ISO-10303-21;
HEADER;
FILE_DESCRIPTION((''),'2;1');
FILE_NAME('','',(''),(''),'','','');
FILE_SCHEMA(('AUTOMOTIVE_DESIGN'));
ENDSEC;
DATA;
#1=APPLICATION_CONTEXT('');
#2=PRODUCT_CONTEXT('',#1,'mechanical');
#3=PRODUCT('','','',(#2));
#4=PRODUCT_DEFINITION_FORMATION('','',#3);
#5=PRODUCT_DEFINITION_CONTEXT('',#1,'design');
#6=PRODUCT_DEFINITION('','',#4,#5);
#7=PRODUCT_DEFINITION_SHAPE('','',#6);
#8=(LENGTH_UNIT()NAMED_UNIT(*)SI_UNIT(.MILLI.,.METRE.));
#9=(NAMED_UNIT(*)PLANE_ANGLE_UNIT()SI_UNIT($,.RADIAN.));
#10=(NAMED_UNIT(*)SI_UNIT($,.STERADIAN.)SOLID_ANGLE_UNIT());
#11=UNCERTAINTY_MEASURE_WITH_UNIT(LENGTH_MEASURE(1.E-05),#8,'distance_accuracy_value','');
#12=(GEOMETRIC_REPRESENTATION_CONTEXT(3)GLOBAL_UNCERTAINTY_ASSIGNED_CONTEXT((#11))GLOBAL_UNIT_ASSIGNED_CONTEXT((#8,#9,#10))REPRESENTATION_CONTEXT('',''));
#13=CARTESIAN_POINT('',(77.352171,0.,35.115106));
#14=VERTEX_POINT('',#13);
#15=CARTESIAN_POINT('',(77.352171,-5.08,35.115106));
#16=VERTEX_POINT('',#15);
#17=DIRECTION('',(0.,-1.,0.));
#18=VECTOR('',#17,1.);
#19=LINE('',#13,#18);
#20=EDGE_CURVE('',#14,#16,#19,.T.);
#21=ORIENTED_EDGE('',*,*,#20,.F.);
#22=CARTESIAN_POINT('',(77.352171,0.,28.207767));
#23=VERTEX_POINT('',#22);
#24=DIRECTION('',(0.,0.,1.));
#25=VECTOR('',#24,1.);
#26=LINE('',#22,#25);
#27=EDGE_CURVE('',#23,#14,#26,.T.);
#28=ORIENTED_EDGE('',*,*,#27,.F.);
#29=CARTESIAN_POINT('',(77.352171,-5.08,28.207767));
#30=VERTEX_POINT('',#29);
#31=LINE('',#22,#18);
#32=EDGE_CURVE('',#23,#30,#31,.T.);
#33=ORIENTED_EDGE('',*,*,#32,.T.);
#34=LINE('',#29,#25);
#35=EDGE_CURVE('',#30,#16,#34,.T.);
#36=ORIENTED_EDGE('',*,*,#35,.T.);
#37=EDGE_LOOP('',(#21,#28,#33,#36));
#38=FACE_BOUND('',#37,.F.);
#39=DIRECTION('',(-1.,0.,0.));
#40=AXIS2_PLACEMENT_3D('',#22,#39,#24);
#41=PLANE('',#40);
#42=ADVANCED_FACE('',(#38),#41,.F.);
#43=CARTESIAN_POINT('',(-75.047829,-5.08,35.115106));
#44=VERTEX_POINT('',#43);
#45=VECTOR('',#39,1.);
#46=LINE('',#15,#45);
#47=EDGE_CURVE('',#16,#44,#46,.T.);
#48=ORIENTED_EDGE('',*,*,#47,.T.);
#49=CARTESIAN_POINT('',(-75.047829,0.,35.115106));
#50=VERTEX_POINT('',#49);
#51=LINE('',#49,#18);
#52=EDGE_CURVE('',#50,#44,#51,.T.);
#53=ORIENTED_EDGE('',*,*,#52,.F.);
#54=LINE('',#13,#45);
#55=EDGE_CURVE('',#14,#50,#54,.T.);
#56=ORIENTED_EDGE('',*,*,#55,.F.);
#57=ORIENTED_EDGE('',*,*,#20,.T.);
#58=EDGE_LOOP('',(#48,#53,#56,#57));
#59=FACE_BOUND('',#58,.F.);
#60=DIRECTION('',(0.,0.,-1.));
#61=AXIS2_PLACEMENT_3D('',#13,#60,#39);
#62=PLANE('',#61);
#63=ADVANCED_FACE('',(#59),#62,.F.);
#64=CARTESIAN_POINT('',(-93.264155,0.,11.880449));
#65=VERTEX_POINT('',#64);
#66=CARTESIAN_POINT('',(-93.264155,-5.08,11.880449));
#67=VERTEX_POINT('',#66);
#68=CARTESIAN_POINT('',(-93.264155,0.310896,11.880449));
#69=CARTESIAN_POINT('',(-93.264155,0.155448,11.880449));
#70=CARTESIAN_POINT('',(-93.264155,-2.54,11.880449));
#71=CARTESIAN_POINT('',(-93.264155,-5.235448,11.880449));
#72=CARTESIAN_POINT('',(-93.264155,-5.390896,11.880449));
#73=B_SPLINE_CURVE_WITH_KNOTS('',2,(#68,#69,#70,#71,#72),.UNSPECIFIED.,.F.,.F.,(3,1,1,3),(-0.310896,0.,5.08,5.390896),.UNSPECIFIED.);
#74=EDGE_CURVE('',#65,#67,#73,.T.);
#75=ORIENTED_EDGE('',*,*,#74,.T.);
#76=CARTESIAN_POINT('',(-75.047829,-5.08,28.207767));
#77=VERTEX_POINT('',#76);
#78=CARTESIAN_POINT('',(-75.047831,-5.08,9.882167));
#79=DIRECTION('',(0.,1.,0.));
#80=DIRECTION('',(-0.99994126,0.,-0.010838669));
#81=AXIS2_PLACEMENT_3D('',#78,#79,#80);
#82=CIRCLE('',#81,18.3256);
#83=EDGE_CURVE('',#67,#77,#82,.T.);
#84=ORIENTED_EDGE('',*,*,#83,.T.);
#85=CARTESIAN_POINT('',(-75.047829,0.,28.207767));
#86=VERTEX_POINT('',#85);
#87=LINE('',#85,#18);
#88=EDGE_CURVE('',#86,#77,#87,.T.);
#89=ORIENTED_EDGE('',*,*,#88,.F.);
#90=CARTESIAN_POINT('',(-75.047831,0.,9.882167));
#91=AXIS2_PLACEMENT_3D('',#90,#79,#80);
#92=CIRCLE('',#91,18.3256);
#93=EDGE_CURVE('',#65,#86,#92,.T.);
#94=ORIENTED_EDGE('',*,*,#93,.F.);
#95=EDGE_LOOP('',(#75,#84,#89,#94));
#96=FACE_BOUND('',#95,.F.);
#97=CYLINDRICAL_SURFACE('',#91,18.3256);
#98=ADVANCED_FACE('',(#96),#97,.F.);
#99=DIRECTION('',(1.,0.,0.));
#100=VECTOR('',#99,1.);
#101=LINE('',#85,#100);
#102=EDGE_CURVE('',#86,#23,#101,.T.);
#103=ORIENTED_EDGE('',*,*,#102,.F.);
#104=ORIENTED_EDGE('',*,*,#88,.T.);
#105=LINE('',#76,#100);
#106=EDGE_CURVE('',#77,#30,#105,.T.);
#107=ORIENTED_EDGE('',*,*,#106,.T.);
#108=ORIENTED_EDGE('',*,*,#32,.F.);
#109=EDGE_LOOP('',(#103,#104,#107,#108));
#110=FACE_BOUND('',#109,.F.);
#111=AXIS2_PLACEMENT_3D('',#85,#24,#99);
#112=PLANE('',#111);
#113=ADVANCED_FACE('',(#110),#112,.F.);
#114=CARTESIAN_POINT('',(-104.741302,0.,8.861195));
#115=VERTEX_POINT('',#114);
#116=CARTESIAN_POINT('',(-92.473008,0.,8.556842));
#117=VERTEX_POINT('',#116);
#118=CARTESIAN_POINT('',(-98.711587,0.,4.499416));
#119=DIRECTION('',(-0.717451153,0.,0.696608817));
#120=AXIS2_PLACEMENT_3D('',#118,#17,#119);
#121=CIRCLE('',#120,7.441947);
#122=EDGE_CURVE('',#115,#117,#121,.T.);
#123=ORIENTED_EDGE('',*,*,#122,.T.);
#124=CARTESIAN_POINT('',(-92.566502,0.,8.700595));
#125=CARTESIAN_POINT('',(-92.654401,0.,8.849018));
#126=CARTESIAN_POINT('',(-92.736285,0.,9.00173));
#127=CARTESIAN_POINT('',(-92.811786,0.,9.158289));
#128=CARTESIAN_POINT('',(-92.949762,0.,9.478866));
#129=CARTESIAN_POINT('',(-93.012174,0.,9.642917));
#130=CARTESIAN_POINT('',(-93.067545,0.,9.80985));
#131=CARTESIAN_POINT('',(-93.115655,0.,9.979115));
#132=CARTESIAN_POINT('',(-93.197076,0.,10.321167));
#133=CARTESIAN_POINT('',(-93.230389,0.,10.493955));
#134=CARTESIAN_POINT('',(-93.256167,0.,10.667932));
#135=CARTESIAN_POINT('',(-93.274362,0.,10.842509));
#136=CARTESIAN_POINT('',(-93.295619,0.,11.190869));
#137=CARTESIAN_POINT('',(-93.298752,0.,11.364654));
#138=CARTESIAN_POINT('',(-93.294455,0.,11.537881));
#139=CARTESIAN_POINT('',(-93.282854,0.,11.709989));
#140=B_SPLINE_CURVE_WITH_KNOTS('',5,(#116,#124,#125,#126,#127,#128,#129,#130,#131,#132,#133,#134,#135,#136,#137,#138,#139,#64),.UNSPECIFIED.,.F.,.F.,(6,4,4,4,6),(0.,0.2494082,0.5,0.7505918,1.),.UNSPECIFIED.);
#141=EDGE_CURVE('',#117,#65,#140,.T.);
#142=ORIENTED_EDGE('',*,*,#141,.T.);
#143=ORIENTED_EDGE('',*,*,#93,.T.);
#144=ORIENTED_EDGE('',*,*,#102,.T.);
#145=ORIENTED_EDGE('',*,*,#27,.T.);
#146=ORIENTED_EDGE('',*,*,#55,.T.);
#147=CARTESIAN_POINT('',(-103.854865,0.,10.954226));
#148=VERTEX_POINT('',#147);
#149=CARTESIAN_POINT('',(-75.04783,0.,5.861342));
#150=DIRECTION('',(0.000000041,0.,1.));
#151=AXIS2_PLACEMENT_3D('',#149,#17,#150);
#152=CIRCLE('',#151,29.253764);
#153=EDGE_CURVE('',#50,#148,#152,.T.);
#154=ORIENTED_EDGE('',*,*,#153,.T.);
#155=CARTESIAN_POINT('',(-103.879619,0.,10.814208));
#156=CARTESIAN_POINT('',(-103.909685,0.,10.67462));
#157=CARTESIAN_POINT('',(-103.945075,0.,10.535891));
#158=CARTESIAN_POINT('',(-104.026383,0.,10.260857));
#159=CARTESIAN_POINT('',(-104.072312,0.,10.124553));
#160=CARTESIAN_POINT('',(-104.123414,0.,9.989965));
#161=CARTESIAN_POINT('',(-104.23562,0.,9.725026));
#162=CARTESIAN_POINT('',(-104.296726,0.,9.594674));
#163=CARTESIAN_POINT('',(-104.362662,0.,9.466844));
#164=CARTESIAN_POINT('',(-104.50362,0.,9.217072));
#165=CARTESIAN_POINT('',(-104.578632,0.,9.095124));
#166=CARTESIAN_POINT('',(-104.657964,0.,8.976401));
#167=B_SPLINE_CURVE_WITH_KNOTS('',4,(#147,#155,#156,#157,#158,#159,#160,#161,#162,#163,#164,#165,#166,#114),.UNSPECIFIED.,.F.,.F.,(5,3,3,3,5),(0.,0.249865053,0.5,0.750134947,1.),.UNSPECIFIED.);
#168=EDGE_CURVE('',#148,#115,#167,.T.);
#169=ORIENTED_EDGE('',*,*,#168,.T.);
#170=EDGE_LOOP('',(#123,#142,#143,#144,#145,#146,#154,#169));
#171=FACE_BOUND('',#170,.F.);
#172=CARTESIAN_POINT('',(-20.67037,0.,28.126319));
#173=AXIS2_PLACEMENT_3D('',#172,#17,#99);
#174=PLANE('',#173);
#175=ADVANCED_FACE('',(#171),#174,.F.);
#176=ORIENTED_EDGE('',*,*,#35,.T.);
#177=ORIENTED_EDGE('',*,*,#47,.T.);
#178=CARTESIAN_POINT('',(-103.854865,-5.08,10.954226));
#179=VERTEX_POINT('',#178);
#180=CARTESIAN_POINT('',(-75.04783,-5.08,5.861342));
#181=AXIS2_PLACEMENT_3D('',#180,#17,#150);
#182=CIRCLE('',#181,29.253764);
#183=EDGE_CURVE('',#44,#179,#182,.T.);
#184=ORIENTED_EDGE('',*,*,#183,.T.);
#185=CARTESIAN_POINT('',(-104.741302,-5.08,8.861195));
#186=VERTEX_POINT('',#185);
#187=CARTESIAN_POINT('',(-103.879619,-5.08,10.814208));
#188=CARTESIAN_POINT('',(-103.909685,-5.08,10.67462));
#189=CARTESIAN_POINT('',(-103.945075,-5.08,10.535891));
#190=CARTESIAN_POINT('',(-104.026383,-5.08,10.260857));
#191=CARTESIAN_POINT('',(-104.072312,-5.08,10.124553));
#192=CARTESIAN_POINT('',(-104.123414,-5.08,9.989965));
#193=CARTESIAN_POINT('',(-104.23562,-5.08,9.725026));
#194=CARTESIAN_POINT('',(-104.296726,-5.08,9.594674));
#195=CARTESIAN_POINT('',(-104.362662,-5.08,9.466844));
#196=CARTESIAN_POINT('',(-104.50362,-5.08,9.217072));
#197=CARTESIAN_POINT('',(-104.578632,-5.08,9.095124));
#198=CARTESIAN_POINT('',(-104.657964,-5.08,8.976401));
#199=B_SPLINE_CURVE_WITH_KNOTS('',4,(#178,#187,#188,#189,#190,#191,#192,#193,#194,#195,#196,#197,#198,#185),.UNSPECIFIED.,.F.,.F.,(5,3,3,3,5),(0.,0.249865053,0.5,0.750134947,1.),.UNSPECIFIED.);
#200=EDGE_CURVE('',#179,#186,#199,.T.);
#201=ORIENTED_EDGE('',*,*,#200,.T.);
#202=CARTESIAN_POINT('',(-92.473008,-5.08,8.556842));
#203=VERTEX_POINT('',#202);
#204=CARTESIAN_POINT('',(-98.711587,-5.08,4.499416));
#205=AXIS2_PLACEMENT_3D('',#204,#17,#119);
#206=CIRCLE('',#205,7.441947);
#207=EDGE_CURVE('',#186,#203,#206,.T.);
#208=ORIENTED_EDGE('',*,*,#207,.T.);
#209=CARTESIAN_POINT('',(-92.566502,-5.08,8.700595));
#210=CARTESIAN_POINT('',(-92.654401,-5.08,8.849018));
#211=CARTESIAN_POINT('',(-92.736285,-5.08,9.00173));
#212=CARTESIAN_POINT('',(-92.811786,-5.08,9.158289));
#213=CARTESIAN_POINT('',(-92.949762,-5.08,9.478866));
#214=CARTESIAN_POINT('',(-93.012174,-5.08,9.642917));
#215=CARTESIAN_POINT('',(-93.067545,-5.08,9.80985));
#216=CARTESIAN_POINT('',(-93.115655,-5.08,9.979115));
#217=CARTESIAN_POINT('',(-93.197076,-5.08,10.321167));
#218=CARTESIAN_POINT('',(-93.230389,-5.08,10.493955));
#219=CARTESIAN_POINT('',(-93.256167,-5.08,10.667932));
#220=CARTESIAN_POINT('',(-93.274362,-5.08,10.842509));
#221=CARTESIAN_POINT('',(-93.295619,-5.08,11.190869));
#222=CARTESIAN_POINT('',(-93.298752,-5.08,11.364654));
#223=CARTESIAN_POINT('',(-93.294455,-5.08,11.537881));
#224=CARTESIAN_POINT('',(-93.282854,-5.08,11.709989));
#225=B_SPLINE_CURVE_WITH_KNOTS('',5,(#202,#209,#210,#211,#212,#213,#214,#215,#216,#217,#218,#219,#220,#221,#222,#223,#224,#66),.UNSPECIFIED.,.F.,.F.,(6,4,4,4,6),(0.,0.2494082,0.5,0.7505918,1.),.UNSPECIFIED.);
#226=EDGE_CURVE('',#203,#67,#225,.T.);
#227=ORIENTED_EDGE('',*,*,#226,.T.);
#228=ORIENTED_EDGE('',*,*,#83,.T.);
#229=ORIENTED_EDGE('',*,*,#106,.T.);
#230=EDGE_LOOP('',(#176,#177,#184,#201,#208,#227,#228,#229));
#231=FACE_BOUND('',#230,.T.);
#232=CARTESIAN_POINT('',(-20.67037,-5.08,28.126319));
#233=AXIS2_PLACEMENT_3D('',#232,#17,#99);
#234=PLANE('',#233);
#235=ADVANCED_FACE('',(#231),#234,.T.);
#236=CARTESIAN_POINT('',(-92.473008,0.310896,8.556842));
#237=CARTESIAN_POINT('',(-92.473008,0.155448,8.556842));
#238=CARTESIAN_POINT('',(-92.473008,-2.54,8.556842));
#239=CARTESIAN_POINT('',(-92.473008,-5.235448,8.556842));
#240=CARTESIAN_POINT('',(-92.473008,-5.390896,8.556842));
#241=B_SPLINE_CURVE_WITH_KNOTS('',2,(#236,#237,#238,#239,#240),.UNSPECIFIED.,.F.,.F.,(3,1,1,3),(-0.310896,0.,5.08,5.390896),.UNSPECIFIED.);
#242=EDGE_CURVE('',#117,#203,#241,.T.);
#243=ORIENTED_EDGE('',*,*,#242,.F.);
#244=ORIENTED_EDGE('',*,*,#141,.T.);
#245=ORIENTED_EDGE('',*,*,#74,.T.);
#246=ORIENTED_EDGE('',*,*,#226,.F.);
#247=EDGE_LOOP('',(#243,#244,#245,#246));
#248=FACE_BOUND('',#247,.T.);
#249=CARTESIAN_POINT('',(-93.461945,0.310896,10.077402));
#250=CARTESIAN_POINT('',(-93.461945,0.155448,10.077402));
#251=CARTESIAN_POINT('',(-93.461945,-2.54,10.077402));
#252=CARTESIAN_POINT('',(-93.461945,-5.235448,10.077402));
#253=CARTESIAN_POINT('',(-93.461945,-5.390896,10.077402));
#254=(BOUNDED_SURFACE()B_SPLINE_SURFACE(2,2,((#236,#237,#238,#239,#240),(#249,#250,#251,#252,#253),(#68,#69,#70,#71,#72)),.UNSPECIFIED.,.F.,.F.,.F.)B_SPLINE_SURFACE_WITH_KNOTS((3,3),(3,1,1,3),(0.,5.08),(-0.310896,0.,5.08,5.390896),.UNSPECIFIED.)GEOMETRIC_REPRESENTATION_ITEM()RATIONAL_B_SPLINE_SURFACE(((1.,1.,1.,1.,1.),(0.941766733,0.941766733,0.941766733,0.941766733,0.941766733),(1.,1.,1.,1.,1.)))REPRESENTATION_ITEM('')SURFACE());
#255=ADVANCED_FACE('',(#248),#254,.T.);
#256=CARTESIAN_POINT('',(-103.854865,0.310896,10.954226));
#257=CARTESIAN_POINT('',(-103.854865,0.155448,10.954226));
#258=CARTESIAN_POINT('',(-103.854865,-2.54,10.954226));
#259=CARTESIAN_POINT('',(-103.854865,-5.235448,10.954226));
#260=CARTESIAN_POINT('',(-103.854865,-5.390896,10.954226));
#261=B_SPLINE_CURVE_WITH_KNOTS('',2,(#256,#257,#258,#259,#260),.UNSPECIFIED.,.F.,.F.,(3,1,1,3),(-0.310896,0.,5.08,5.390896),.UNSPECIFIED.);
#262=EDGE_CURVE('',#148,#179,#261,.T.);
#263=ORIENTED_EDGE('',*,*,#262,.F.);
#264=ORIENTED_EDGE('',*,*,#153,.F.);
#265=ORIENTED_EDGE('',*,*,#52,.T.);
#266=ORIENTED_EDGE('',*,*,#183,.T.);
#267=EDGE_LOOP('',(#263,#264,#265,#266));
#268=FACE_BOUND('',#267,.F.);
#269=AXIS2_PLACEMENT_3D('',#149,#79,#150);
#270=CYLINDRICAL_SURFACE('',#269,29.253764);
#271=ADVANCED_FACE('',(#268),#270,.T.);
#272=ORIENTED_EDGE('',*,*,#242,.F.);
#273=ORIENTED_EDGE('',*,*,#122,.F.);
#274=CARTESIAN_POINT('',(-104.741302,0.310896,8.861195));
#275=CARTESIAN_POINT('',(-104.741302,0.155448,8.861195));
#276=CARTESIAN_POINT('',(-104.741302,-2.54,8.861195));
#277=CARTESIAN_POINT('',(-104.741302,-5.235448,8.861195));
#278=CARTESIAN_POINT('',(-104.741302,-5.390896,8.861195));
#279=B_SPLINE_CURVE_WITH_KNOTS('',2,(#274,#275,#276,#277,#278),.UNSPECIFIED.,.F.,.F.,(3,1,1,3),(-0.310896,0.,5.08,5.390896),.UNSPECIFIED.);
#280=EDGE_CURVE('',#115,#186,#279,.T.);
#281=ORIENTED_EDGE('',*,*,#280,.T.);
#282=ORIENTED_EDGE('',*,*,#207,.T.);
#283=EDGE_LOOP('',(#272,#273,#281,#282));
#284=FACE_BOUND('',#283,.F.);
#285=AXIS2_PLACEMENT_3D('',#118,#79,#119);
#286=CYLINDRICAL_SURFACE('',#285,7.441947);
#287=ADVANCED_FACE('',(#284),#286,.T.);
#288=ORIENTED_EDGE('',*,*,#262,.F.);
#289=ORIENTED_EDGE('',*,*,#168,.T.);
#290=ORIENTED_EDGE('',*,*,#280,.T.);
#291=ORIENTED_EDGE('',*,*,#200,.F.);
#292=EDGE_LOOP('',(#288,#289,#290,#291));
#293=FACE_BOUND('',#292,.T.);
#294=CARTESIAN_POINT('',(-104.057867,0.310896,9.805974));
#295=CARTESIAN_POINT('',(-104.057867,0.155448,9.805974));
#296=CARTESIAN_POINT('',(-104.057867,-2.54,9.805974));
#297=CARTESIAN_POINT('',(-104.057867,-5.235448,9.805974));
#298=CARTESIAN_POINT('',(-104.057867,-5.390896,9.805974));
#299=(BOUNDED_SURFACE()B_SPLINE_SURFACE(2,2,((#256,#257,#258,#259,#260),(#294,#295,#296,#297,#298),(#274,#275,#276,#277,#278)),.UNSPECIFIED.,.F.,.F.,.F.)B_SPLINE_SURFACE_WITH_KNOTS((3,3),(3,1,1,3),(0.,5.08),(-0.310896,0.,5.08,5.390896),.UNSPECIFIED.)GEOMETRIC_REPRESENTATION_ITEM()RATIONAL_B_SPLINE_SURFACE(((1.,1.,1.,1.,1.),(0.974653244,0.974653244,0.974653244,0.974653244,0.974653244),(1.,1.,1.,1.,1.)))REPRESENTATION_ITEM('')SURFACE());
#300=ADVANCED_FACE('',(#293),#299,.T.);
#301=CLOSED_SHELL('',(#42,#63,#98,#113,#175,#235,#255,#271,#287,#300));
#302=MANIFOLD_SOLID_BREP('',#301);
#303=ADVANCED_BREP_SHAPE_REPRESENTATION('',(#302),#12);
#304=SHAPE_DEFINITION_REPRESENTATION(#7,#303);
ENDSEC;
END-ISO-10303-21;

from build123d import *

# Parameters (mm, degrees)
F1_DEPTH = 5.08
F2_R     = 5.08


with BuildPart() as f1:
    # F0 (on Front) → F1 (new body)
    with BuildSketch(Plane.XZ):
        with BuildLine():
            Line((77.352171, 35.115106), (-75.047829, 35.115106))
            ThreePointArc((-75.047829, 35.115106), (-94.334729, 27.856756), (-104.050821, 9.683542))
            ThreePointArc((-104.050821, 9.683542), (-98.711588, -2.942531), (-93.372354, 9.683542))
            ThreePointArc((-93.372354, 9.683542), (-88.076021, 22.769908), (-75.047829, 28.207767))
            Line((-75.047829, 28.207767), (77.352171, 28.207767))
            Line((77.352171, 28.207767), (77.352171, 35.115106))
        make_face()
    extrude(amount=F1_DEPTH)

    # F2
    f2_edges = [f1.edges().sort_by_distance(p)[0] for p in [
        (-104.050821, -2.54, 9.683542),
        (-93.372354, -2.54, 9.683542),
        (-75.047829, -2.54, 35.115106),
        (-75.047829, -2.54, 28.207767),
    ]]
    fillet(f2_edges, radius=F2_R)


solid = f1.part
